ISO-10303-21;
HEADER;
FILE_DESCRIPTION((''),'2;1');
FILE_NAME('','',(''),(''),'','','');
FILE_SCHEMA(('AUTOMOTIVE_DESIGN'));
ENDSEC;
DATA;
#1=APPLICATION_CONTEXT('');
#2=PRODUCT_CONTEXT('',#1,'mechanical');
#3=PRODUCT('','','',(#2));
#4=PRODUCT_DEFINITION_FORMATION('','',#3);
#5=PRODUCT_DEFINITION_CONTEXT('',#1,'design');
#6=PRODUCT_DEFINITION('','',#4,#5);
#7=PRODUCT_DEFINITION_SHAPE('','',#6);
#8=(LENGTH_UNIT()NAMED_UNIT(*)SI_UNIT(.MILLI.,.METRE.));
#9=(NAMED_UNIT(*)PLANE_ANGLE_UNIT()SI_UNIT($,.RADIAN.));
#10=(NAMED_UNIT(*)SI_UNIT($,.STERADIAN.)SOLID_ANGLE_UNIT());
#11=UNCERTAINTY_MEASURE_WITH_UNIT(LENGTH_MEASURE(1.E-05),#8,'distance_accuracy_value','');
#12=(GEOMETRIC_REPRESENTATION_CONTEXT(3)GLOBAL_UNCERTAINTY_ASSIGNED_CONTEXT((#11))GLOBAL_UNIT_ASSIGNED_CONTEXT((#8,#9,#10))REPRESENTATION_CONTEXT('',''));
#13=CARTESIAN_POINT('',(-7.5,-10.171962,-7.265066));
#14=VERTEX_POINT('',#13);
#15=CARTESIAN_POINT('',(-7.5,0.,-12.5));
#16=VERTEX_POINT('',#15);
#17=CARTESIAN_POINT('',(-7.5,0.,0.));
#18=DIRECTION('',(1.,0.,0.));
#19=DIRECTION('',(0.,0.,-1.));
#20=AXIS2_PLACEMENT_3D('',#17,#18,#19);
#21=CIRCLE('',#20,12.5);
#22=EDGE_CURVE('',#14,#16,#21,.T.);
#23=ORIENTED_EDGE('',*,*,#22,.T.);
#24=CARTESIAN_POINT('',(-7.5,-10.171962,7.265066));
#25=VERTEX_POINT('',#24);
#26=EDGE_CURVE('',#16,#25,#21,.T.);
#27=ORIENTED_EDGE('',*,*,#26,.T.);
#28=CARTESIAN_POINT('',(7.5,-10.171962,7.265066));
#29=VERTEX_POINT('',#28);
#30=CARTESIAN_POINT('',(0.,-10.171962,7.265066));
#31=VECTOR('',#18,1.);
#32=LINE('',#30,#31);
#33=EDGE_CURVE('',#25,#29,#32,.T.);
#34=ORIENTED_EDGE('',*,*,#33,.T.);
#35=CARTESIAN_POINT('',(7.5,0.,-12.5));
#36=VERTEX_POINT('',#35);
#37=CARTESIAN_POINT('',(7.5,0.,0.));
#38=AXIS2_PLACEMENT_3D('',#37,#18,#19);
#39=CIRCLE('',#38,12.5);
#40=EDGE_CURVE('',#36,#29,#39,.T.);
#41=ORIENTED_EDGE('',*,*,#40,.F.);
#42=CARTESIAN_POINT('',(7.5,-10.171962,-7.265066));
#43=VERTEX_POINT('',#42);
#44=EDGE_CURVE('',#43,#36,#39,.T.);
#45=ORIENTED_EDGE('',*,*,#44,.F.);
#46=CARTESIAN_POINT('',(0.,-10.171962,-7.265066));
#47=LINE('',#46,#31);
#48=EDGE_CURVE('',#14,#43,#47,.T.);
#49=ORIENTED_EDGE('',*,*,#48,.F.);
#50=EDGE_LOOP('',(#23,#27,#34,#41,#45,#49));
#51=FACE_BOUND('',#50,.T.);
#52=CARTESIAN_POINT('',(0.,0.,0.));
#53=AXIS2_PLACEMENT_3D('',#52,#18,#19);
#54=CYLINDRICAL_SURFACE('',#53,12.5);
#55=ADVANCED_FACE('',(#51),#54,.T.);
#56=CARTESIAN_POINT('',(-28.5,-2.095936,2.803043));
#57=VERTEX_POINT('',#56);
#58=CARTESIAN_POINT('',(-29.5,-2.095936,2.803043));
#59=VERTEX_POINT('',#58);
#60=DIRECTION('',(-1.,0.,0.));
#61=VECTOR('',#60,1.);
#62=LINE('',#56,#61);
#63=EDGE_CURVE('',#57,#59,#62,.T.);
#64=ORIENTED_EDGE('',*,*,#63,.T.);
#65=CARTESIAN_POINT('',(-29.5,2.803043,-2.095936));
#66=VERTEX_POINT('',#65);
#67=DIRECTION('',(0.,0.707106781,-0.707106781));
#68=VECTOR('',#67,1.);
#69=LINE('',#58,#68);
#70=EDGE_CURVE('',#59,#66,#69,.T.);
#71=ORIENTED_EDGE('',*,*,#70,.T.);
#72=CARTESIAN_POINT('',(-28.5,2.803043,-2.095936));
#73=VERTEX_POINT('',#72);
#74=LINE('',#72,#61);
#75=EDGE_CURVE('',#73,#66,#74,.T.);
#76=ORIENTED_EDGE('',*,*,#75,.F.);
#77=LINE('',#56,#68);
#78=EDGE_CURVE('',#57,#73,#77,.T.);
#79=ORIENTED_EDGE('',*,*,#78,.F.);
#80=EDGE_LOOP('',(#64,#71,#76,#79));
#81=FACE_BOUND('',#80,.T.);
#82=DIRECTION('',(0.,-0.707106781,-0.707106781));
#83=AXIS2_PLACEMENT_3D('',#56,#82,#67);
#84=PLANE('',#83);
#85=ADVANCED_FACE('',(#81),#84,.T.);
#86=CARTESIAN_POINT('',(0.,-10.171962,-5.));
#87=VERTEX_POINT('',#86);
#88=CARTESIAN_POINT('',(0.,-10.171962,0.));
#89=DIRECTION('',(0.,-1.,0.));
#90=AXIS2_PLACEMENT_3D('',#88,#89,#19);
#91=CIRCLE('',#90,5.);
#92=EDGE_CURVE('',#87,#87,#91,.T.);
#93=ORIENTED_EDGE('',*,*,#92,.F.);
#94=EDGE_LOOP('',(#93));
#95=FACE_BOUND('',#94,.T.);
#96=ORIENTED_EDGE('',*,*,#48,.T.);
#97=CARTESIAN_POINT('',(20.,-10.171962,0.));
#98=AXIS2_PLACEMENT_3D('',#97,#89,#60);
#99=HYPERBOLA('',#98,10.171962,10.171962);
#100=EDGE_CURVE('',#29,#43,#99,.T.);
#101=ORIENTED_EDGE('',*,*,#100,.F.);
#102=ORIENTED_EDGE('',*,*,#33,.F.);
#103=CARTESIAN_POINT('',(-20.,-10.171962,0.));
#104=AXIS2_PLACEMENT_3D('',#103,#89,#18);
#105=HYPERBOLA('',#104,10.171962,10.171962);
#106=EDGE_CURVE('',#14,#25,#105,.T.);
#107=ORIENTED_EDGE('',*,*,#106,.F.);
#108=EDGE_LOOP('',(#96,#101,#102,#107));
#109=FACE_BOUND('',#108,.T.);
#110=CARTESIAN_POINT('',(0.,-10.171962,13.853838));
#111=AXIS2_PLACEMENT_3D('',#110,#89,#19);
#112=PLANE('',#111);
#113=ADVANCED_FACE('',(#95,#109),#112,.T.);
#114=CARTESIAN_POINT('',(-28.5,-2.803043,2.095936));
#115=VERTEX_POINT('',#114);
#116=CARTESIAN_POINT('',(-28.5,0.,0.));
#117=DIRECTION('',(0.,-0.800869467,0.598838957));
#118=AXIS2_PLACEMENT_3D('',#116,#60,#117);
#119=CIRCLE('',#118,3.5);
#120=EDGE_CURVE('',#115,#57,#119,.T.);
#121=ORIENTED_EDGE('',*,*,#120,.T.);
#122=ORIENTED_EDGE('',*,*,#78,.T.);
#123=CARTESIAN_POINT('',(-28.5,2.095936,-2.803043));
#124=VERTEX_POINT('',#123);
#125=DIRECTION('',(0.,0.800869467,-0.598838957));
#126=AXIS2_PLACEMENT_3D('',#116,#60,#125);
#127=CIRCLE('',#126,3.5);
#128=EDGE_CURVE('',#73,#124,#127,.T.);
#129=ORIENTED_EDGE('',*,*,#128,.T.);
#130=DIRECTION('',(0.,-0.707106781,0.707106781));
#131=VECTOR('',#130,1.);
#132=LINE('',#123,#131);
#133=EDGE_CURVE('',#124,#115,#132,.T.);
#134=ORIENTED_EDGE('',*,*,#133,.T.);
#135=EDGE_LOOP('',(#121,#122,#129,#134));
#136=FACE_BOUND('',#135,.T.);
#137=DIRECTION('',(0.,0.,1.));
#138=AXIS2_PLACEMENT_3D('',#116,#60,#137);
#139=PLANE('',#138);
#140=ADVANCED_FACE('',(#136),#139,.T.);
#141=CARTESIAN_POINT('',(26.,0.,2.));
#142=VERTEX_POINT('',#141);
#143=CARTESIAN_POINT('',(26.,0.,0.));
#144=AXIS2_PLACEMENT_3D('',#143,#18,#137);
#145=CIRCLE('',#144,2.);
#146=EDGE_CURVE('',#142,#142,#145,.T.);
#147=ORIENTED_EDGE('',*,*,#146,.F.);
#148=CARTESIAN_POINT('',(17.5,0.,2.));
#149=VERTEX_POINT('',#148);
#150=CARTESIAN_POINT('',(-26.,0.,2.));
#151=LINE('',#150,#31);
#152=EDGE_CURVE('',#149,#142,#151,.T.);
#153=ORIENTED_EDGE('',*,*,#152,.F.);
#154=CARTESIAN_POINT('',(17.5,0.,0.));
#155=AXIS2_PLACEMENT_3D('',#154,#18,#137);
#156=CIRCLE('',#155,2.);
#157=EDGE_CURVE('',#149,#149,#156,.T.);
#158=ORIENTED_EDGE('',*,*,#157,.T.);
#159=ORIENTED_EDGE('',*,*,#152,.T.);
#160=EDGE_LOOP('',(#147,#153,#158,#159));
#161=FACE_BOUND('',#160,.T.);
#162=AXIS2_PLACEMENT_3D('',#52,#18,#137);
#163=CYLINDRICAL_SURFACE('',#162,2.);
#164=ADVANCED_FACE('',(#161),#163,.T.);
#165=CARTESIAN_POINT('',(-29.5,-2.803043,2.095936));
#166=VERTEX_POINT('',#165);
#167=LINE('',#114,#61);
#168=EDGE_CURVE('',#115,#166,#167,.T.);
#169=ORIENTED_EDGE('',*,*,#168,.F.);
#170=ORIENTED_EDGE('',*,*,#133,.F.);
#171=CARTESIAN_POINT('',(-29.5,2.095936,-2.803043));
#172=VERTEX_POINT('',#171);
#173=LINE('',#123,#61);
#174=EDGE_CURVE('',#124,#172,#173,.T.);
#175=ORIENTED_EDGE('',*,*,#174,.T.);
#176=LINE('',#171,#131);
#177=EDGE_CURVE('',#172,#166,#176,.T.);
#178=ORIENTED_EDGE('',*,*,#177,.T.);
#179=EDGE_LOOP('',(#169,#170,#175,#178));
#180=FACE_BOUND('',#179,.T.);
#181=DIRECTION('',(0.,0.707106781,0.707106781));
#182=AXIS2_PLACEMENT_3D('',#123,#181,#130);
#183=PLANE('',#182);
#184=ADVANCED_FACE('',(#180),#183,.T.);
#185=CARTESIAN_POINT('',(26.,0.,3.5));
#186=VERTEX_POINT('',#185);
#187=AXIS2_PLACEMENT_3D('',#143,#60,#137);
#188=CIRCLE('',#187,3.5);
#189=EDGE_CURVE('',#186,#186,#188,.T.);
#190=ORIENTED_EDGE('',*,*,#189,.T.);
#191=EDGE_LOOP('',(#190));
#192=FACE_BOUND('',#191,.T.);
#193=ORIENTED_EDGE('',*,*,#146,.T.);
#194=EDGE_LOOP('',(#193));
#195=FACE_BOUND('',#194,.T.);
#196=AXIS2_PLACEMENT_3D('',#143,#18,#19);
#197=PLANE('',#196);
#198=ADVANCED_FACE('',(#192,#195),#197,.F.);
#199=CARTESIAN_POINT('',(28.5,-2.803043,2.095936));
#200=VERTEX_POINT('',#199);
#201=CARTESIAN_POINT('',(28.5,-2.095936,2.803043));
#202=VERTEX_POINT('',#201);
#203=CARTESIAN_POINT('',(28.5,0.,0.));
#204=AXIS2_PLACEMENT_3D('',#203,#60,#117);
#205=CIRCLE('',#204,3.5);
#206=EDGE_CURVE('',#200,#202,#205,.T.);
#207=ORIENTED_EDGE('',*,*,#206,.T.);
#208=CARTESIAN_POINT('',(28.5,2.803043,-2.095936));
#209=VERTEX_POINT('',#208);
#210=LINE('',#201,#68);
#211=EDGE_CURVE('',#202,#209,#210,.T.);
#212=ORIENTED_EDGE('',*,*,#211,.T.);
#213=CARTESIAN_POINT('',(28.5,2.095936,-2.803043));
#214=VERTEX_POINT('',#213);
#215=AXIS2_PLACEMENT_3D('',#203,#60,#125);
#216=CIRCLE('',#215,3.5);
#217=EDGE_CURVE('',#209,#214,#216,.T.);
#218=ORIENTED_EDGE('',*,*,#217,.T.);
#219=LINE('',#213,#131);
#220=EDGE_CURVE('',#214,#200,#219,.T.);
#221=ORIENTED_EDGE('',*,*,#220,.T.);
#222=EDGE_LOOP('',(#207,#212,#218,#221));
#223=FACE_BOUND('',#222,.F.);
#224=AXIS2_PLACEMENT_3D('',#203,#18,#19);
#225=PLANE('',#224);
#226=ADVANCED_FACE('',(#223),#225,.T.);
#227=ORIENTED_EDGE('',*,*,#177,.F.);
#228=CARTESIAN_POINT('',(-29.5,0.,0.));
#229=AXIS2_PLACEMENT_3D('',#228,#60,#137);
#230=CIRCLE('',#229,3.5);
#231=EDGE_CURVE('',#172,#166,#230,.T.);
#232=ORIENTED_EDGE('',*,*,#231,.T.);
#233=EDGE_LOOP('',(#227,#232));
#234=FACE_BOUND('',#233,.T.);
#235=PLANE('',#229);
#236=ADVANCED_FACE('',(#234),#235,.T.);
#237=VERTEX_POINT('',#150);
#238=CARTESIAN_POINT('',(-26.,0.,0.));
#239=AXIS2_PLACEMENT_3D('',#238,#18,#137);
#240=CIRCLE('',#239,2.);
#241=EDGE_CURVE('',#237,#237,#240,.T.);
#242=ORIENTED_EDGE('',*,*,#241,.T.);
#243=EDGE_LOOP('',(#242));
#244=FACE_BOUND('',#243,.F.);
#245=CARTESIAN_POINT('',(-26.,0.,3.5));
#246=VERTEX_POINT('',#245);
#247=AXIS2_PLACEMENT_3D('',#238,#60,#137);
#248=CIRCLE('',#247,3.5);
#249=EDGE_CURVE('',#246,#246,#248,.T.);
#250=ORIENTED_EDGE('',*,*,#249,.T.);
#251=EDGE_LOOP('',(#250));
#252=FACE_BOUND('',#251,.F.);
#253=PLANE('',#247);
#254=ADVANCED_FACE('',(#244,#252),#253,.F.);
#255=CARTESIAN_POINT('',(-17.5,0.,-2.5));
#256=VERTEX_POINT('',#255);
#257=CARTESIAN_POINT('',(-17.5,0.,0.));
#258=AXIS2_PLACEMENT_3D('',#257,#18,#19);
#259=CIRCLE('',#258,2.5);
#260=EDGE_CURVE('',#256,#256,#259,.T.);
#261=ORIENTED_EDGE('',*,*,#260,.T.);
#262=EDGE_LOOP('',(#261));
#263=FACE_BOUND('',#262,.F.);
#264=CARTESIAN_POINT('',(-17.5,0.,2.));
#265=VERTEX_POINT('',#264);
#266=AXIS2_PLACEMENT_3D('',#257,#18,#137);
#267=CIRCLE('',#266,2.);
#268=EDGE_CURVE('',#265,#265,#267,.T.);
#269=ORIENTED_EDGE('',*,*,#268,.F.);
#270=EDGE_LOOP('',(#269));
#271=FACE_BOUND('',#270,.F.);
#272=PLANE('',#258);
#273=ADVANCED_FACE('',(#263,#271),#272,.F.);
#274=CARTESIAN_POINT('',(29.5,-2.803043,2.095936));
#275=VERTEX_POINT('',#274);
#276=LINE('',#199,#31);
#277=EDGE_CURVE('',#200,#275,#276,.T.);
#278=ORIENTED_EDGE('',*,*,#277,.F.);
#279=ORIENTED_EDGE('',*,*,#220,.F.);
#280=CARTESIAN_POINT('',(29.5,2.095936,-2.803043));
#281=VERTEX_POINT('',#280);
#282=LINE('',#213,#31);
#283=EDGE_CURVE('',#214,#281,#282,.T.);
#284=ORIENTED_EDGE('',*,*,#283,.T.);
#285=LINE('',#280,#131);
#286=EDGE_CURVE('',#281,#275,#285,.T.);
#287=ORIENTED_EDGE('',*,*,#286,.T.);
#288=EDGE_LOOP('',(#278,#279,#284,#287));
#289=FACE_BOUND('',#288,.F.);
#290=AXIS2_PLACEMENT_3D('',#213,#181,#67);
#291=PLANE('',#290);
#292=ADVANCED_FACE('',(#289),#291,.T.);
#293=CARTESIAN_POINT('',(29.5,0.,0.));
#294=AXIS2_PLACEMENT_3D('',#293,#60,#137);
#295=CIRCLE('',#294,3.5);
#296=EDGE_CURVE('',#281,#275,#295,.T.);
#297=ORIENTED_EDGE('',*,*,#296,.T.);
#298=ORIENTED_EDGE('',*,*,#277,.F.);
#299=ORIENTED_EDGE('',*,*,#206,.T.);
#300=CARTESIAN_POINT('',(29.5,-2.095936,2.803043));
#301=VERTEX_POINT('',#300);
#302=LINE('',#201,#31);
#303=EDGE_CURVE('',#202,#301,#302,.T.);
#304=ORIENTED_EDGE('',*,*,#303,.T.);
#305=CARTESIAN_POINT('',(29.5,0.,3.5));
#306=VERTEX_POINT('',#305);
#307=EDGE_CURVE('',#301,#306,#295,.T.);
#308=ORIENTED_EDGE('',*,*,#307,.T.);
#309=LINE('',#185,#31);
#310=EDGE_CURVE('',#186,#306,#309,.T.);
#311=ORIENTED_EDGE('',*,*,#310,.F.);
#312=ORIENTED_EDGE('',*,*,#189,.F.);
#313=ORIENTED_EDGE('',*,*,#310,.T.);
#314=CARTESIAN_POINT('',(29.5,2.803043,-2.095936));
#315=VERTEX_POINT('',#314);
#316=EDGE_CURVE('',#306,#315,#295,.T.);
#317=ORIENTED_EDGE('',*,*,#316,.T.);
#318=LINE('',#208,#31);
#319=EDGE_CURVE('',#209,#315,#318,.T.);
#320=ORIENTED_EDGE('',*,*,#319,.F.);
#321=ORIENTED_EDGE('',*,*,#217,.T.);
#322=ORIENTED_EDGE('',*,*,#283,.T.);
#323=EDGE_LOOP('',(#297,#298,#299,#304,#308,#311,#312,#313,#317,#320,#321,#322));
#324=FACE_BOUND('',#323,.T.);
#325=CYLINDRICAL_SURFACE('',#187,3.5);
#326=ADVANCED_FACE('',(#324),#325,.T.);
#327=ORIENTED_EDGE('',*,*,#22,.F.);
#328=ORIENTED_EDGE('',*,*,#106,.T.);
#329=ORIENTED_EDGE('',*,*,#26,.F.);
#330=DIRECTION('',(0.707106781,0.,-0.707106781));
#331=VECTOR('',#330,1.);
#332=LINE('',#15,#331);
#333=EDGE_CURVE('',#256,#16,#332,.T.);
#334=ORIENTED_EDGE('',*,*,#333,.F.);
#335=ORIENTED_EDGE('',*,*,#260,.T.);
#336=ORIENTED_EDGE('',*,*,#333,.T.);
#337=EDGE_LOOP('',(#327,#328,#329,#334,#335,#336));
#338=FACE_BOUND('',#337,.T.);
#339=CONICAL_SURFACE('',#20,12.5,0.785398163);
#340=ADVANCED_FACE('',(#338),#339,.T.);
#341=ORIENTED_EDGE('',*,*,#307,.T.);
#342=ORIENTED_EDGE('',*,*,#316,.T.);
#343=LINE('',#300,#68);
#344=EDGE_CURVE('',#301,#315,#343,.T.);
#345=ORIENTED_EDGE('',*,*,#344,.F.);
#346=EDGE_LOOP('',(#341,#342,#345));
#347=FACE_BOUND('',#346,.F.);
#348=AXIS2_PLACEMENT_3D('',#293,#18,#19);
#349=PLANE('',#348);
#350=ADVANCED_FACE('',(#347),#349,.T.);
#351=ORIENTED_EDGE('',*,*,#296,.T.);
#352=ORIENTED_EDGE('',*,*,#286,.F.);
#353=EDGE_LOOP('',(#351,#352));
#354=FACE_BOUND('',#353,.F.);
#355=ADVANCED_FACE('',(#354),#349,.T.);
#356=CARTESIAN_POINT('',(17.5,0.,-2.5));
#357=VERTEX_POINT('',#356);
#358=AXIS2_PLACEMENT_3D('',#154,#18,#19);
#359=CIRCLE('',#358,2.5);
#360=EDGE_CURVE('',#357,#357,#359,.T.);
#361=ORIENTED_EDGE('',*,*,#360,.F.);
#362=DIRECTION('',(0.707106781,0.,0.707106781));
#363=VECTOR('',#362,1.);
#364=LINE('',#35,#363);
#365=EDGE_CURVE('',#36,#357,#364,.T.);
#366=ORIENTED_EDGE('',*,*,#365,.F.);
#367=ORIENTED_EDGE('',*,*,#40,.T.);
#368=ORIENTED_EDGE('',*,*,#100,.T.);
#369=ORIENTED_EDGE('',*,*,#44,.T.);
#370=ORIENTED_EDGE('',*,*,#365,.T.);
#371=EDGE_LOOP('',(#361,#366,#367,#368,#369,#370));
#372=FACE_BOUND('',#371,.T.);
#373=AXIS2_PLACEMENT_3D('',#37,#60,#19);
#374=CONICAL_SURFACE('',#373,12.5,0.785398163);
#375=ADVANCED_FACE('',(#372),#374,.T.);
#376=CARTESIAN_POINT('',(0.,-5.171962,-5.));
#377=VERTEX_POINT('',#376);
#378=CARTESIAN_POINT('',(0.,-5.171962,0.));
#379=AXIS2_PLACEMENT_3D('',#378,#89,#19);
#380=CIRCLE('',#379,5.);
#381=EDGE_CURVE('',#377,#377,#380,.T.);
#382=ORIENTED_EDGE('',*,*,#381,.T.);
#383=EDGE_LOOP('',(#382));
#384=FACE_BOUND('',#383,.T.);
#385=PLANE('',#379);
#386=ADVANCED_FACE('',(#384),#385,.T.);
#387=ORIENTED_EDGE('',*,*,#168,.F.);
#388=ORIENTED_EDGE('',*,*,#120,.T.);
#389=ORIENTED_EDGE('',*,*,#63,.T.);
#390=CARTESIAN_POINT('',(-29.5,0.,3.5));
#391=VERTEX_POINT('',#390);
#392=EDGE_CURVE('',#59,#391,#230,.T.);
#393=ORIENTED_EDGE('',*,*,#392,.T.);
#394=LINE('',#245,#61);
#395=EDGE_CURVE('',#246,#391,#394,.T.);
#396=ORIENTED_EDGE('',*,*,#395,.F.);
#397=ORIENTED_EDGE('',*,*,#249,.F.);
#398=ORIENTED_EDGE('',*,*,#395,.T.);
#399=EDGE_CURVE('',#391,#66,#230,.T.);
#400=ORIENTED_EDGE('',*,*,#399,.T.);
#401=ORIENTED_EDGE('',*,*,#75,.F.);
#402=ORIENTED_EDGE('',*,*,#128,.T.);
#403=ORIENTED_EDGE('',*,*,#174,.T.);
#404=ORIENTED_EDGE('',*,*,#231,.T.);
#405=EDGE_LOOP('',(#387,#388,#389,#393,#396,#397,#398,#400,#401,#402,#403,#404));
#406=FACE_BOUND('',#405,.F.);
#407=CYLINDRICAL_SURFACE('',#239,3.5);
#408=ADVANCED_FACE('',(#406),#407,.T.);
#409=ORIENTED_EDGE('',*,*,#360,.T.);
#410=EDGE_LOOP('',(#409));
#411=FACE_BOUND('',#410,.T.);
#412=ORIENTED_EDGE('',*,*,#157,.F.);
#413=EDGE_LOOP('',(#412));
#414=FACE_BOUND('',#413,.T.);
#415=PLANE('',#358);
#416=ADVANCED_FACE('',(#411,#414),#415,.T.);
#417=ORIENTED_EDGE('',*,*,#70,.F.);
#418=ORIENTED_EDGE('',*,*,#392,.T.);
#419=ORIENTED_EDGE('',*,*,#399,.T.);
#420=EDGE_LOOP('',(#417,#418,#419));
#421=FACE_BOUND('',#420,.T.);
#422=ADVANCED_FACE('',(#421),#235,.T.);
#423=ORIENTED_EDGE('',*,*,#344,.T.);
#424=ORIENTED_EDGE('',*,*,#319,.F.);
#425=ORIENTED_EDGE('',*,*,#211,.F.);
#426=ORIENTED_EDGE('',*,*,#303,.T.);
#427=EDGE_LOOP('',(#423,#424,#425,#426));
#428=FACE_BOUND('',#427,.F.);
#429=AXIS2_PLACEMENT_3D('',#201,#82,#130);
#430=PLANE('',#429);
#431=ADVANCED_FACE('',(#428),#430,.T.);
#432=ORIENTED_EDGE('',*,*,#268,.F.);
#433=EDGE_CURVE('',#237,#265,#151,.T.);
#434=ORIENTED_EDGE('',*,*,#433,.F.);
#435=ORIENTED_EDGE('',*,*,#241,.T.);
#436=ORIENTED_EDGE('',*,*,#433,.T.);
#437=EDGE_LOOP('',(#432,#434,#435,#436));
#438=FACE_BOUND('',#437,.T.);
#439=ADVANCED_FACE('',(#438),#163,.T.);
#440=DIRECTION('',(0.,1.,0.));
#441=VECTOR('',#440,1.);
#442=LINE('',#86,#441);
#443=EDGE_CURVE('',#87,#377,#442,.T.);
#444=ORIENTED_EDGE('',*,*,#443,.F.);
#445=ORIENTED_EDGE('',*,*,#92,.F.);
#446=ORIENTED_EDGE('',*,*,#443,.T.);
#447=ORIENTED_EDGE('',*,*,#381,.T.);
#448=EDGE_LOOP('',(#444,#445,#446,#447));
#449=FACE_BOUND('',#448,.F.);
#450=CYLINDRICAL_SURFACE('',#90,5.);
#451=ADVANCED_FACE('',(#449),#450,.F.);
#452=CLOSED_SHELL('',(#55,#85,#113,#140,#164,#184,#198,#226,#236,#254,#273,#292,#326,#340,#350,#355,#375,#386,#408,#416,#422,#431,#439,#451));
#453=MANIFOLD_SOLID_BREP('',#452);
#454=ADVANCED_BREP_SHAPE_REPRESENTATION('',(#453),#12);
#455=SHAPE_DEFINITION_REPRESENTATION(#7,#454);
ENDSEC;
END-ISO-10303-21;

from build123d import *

# Parameters (mm, degrees)
SKETCH1_R           = 12.5
BOSS_EXTRUDE1_DEPTH = 17.5
SKETCH2_R           = 2
BOSS_EXTRUDE2_DEPTH = 26
CHAMFER1_SIZE       = 10
SKETCH3_W           = 28.997372317
SKETCH3_H           = 7.197339184
CUT_EXTRUDE1_DEPTH  = 20
SKETCH4_R           = 5
CUT_EXTRUDE2_DEPTH  = 5
SKETCH5_R           = 3.5
BOSS_EXTRUDE3_DEPTH = 3.5
CUT_EXTRUDE6_START  = -1
CUT_EXTRUDE6_DEPTH  = 1


with BuildPart() as part:
    # Sketch1 → Boss-Extrude1 (new, symmetric)
    with BuildSketch(Plane(origin=(0, 0, 0), x_dir=(0, 0, -1), z_dir=(1, 0, 0))):
        Circle(SKETCH1_R)
    extrude(amount=BOSS_EXTRUDE1_DEPTH, both=True)

    # Sketch2 → Boss-Extrude2 (add, symmetric)
    with BuildSketch(Plane(origin=(0, 0, 0), x_dir=(0, 0, -1), z_dir=(1, 0, 0))):
        with Locations(Location((0, 0, 0), (0, 0, 180))):
            Circle(SKETCH2_R)
    extrude(amount=BOSS_EXTRUDE2_DEPTH, both=True)

    # Chamfer1
    chamfer1_edges = [part.edges().sort_by_distance(p)[0] for p in [
        (-17.5, 0, 12.5),
        (17.5, 0, 12.5),
    ]]
    chamfer(chamfer1_edges, length=CHAMFER1_SIZE)

    # Sketch3 → Cut-Extrude1 (cut, symmetric)
    with BuildSketch(Plane(origin=(0, 0, 0), x_dir=(0, 0, -1), z_dir=(1, 0, 0))):
        with Locations((0.644848308, -13.770631617)):
            Rectangle(SKETCH3_W, SKETCH3_H)
    extrude(amount=CUT_EXTRUDE1_DEPTH, both=True, mode=Mode.SUBTRACT)

    # Sketch4 → Cut-Extrude2 (cut)
    with BuildSketch(Plane.XZ.offset(10.171962025)):
        with Locations(Location((0, 0, 0), (0, 0, 270))):
            Circle(SKETCH4_R)
    extrude(amount=-CUT_EXTRUDE2_DEPTH, mode=Mode.SUBTRACT)

    # Sketch5 → Boss-Extrude3 (add)
    with BuildSketch(Plane.ZY.offset(26)):
        Circle(SKETCH5_R)
    boss_extrude3 = extrude(amount=BOSS_EXTRUDE3_DEPTH)

    # Sketch6 → Cut-Extrude6 (cut)
    with BuildSketch(Plane.ZY.offset(29.5).offset(CUT_EXTRUDE6_START)):
        with BuildLine():
            Line((2.803043133, -2.095936352), (-2.095936352, 2.803043133))
            ThreePointArc((-2.095936352, 2.803043133), (-2.474873734, 2.474873734), (-2.803043133, 2.095936352))
            Line((-2.803043133, 2.095936352), (2.095936352, -2.803043133))
            ThreePointArc((2.095936352, -2.803043133), (2.474873734, -2.474873734), (2.803043133, -2.095936352))
        make_face()
    cut_extrude6 = extrude(amount=CUT_EXTRUDE6_DEPTH, mode=Mode.SUBTRACT)

    # Mirror1: Boss-Extrude3, Cut-Extrude6 across plane
    add(boss_extrude3.mirror(Plane(origin=(0, 0, 0), x_dir=(0, 0, 1), z_dir=(1, 0, 0))))
    add(cut_extrude6.mirror(Plane(origin=(0, 0, 0), x_dir=(0, 0, 1), z_dir=(1, 0, 0))), mode=Mode.SUBTRACT)


solid = part.part
